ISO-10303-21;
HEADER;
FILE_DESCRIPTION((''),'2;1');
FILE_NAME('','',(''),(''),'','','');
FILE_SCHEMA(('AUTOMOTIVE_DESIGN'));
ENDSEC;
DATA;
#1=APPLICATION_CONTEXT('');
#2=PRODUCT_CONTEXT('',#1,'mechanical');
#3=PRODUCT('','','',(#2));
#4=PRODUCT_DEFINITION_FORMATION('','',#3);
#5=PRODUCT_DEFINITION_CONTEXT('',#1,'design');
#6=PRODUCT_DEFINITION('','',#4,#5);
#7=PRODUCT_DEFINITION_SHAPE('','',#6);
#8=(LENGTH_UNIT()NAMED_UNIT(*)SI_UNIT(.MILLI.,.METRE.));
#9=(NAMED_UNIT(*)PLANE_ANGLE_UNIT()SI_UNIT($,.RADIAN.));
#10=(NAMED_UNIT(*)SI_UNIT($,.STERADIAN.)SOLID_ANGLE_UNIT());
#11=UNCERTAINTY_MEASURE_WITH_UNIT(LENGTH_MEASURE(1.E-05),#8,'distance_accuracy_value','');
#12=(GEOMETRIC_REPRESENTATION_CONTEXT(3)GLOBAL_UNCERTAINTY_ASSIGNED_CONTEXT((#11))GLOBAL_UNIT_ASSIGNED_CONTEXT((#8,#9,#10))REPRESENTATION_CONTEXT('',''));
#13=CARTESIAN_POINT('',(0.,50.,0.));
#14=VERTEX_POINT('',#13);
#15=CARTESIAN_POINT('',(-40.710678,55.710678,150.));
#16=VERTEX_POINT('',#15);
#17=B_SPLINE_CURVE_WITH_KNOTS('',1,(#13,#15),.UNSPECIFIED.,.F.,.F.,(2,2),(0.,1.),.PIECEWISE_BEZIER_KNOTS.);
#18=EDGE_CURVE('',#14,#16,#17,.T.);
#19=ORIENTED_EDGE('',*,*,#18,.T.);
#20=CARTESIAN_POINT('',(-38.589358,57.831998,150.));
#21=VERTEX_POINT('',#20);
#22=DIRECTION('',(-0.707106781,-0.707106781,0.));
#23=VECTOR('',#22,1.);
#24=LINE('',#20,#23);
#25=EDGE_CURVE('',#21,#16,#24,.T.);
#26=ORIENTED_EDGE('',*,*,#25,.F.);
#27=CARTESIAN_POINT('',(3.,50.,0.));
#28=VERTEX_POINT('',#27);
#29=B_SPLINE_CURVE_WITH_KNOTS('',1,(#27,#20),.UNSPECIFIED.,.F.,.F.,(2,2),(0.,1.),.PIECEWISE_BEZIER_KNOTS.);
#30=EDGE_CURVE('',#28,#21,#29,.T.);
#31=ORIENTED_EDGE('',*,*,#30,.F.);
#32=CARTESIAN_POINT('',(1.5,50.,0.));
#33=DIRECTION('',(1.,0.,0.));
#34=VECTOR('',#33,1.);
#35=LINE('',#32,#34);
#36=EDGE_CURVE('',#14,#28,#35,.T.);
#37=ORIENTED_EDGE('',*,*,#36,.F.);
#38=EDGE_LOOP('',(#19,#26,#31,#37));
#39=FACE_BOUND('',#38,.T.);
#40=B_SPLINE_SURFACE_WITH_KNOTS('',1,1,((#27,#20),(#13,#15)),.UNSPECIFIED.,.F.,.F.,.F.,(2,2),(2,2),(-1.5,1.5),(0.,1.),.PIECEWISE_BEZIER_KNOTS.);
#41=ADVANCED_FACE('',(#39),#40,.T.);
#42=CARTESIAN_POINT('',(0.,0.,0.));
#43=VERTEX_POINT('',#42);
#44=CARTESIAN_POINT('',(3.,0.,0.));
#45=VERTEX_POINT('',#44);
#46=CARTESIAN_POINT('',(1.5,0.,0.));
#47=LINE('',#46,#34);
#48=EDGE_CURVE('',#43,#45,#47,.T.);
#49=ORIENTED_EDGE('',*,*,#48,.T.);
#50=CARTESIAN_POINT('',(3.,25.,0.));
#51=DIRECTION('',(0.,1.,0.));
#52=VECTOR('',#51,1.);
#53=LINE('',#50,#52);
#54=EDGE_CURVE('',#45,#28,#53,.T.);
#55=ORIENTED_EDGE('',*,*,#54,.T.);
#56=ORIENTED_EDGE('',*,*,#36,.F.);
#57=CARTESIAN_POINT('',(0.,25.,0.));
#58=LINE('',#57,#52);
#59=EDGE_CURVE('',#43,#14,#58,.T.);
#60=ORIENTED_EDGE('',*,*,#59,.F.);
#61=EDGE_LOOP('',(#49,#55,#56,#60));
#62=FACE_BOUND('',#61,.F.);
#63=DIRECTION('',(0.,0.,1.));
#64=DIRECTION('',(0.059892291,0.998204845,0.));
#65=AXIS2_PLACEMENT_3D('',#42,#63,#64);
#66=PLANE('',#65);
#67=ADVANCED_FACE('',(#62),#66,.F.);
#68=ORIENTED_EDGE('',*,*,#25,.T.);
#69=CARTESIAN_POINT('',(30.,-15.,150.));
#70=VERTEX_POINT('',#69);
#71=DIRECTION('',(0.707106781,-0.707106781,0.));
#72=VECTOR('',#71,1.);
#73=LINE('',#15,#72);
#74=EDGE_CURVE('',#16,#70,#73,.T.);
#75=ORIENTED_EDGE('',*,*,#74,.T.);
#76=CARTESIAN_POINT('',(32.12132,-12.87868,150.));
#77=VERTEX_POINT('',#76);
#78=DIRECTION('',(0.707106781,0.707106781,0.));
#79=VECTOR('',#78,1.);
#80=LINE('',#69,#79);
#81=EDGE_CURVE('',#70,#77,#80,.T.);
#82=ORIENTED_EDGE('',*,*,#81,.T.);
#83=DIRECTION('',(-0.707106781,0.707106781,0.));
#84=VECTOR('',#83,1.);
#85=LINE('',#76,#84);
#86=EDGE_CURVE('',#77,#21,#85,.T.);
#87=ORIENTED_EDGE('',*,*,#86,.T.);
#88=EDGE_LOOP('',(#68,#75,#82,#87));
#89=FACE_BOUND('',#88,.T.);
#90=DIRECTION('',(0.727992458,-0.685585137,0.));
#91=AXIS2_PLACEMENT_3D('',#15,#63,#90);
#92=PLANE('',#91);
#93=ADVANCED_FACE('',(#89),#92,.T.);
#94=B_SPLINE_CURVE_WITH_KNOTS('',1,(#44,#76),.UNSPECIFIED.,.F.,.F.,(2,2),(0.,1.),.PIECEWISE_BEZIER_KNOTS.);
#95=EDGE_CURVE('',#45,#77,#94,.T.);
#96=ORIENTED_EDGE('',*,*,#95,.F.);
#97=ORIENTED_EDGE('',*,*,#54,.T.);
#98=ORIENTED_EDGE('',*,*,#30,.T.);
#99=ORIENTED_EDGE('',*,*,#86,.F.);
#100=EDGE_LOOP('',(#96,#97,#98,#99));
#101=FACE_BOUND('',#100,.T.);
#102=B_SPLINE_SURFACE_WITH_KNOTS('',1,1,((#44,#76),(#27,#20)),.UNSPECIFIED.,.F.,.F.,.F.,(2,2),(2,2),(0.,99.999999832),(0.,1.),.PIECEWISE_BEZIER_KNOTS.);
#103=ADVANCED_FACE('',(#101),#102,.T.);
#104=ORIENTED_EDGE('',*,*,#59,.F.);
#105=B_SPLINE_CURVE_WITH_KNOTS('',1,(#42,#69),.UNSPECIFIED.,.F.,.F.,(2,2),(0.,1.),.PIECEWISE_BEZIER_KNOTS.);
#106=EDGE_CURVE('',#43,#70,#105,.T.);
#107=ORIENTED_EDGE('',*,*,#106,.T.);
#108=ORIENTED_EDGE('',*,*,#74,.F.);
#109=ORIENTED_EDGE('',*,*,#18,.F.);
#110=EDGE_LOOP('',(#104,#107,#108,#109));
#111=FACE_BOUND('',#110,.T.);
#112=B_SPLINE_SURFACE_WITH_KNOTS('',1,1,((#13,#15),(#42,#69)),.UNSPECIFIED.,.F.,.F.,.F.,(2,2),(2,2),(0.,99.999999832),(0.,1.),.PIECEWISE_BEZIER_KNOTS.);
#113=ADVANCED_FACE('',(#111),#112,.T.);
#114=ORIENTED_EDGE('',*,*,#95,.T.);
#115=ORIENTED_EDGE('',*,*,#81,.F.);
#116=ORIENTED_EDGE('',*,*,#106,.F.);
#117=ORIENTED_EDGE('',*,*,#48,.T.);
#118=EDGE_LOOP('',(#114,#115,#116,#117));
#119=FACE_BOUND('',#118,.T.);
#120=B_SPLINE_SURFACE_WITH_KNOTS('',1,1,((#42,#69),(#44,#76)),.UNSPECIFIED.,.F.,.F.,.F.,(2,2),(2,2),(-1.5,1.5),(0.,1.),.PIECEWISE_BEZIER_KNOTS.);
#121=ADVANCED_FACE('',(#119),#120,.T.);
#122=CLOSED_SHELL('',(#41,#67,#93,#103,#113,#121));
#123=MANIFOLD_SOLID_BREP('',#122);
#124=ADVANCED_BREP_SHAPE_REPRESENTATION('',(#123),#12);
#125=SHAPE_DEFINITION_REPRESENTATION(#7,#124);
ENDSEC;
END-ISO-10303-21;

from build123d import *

# Parameters (mm, degrees)
F0_W = 3
F0_H = 50


with BuildPart() as f3:
    # F0 (on Top) → F3 section 0
    with BuildSketch(Plane.XY):
        with Locations((1.5, 25)):
            Rectangle(F0_W, F0_H)
    # F2 (on offset) → F3 section 1
    with BuildSketch(Plane.XY.offset(150)):
        Polygon((-40.710678, 55.710678), (30, -15), (32.12132, -12.87868), (-38.589358, 57.831998), align=None)
    loft()


solid = f3.part
